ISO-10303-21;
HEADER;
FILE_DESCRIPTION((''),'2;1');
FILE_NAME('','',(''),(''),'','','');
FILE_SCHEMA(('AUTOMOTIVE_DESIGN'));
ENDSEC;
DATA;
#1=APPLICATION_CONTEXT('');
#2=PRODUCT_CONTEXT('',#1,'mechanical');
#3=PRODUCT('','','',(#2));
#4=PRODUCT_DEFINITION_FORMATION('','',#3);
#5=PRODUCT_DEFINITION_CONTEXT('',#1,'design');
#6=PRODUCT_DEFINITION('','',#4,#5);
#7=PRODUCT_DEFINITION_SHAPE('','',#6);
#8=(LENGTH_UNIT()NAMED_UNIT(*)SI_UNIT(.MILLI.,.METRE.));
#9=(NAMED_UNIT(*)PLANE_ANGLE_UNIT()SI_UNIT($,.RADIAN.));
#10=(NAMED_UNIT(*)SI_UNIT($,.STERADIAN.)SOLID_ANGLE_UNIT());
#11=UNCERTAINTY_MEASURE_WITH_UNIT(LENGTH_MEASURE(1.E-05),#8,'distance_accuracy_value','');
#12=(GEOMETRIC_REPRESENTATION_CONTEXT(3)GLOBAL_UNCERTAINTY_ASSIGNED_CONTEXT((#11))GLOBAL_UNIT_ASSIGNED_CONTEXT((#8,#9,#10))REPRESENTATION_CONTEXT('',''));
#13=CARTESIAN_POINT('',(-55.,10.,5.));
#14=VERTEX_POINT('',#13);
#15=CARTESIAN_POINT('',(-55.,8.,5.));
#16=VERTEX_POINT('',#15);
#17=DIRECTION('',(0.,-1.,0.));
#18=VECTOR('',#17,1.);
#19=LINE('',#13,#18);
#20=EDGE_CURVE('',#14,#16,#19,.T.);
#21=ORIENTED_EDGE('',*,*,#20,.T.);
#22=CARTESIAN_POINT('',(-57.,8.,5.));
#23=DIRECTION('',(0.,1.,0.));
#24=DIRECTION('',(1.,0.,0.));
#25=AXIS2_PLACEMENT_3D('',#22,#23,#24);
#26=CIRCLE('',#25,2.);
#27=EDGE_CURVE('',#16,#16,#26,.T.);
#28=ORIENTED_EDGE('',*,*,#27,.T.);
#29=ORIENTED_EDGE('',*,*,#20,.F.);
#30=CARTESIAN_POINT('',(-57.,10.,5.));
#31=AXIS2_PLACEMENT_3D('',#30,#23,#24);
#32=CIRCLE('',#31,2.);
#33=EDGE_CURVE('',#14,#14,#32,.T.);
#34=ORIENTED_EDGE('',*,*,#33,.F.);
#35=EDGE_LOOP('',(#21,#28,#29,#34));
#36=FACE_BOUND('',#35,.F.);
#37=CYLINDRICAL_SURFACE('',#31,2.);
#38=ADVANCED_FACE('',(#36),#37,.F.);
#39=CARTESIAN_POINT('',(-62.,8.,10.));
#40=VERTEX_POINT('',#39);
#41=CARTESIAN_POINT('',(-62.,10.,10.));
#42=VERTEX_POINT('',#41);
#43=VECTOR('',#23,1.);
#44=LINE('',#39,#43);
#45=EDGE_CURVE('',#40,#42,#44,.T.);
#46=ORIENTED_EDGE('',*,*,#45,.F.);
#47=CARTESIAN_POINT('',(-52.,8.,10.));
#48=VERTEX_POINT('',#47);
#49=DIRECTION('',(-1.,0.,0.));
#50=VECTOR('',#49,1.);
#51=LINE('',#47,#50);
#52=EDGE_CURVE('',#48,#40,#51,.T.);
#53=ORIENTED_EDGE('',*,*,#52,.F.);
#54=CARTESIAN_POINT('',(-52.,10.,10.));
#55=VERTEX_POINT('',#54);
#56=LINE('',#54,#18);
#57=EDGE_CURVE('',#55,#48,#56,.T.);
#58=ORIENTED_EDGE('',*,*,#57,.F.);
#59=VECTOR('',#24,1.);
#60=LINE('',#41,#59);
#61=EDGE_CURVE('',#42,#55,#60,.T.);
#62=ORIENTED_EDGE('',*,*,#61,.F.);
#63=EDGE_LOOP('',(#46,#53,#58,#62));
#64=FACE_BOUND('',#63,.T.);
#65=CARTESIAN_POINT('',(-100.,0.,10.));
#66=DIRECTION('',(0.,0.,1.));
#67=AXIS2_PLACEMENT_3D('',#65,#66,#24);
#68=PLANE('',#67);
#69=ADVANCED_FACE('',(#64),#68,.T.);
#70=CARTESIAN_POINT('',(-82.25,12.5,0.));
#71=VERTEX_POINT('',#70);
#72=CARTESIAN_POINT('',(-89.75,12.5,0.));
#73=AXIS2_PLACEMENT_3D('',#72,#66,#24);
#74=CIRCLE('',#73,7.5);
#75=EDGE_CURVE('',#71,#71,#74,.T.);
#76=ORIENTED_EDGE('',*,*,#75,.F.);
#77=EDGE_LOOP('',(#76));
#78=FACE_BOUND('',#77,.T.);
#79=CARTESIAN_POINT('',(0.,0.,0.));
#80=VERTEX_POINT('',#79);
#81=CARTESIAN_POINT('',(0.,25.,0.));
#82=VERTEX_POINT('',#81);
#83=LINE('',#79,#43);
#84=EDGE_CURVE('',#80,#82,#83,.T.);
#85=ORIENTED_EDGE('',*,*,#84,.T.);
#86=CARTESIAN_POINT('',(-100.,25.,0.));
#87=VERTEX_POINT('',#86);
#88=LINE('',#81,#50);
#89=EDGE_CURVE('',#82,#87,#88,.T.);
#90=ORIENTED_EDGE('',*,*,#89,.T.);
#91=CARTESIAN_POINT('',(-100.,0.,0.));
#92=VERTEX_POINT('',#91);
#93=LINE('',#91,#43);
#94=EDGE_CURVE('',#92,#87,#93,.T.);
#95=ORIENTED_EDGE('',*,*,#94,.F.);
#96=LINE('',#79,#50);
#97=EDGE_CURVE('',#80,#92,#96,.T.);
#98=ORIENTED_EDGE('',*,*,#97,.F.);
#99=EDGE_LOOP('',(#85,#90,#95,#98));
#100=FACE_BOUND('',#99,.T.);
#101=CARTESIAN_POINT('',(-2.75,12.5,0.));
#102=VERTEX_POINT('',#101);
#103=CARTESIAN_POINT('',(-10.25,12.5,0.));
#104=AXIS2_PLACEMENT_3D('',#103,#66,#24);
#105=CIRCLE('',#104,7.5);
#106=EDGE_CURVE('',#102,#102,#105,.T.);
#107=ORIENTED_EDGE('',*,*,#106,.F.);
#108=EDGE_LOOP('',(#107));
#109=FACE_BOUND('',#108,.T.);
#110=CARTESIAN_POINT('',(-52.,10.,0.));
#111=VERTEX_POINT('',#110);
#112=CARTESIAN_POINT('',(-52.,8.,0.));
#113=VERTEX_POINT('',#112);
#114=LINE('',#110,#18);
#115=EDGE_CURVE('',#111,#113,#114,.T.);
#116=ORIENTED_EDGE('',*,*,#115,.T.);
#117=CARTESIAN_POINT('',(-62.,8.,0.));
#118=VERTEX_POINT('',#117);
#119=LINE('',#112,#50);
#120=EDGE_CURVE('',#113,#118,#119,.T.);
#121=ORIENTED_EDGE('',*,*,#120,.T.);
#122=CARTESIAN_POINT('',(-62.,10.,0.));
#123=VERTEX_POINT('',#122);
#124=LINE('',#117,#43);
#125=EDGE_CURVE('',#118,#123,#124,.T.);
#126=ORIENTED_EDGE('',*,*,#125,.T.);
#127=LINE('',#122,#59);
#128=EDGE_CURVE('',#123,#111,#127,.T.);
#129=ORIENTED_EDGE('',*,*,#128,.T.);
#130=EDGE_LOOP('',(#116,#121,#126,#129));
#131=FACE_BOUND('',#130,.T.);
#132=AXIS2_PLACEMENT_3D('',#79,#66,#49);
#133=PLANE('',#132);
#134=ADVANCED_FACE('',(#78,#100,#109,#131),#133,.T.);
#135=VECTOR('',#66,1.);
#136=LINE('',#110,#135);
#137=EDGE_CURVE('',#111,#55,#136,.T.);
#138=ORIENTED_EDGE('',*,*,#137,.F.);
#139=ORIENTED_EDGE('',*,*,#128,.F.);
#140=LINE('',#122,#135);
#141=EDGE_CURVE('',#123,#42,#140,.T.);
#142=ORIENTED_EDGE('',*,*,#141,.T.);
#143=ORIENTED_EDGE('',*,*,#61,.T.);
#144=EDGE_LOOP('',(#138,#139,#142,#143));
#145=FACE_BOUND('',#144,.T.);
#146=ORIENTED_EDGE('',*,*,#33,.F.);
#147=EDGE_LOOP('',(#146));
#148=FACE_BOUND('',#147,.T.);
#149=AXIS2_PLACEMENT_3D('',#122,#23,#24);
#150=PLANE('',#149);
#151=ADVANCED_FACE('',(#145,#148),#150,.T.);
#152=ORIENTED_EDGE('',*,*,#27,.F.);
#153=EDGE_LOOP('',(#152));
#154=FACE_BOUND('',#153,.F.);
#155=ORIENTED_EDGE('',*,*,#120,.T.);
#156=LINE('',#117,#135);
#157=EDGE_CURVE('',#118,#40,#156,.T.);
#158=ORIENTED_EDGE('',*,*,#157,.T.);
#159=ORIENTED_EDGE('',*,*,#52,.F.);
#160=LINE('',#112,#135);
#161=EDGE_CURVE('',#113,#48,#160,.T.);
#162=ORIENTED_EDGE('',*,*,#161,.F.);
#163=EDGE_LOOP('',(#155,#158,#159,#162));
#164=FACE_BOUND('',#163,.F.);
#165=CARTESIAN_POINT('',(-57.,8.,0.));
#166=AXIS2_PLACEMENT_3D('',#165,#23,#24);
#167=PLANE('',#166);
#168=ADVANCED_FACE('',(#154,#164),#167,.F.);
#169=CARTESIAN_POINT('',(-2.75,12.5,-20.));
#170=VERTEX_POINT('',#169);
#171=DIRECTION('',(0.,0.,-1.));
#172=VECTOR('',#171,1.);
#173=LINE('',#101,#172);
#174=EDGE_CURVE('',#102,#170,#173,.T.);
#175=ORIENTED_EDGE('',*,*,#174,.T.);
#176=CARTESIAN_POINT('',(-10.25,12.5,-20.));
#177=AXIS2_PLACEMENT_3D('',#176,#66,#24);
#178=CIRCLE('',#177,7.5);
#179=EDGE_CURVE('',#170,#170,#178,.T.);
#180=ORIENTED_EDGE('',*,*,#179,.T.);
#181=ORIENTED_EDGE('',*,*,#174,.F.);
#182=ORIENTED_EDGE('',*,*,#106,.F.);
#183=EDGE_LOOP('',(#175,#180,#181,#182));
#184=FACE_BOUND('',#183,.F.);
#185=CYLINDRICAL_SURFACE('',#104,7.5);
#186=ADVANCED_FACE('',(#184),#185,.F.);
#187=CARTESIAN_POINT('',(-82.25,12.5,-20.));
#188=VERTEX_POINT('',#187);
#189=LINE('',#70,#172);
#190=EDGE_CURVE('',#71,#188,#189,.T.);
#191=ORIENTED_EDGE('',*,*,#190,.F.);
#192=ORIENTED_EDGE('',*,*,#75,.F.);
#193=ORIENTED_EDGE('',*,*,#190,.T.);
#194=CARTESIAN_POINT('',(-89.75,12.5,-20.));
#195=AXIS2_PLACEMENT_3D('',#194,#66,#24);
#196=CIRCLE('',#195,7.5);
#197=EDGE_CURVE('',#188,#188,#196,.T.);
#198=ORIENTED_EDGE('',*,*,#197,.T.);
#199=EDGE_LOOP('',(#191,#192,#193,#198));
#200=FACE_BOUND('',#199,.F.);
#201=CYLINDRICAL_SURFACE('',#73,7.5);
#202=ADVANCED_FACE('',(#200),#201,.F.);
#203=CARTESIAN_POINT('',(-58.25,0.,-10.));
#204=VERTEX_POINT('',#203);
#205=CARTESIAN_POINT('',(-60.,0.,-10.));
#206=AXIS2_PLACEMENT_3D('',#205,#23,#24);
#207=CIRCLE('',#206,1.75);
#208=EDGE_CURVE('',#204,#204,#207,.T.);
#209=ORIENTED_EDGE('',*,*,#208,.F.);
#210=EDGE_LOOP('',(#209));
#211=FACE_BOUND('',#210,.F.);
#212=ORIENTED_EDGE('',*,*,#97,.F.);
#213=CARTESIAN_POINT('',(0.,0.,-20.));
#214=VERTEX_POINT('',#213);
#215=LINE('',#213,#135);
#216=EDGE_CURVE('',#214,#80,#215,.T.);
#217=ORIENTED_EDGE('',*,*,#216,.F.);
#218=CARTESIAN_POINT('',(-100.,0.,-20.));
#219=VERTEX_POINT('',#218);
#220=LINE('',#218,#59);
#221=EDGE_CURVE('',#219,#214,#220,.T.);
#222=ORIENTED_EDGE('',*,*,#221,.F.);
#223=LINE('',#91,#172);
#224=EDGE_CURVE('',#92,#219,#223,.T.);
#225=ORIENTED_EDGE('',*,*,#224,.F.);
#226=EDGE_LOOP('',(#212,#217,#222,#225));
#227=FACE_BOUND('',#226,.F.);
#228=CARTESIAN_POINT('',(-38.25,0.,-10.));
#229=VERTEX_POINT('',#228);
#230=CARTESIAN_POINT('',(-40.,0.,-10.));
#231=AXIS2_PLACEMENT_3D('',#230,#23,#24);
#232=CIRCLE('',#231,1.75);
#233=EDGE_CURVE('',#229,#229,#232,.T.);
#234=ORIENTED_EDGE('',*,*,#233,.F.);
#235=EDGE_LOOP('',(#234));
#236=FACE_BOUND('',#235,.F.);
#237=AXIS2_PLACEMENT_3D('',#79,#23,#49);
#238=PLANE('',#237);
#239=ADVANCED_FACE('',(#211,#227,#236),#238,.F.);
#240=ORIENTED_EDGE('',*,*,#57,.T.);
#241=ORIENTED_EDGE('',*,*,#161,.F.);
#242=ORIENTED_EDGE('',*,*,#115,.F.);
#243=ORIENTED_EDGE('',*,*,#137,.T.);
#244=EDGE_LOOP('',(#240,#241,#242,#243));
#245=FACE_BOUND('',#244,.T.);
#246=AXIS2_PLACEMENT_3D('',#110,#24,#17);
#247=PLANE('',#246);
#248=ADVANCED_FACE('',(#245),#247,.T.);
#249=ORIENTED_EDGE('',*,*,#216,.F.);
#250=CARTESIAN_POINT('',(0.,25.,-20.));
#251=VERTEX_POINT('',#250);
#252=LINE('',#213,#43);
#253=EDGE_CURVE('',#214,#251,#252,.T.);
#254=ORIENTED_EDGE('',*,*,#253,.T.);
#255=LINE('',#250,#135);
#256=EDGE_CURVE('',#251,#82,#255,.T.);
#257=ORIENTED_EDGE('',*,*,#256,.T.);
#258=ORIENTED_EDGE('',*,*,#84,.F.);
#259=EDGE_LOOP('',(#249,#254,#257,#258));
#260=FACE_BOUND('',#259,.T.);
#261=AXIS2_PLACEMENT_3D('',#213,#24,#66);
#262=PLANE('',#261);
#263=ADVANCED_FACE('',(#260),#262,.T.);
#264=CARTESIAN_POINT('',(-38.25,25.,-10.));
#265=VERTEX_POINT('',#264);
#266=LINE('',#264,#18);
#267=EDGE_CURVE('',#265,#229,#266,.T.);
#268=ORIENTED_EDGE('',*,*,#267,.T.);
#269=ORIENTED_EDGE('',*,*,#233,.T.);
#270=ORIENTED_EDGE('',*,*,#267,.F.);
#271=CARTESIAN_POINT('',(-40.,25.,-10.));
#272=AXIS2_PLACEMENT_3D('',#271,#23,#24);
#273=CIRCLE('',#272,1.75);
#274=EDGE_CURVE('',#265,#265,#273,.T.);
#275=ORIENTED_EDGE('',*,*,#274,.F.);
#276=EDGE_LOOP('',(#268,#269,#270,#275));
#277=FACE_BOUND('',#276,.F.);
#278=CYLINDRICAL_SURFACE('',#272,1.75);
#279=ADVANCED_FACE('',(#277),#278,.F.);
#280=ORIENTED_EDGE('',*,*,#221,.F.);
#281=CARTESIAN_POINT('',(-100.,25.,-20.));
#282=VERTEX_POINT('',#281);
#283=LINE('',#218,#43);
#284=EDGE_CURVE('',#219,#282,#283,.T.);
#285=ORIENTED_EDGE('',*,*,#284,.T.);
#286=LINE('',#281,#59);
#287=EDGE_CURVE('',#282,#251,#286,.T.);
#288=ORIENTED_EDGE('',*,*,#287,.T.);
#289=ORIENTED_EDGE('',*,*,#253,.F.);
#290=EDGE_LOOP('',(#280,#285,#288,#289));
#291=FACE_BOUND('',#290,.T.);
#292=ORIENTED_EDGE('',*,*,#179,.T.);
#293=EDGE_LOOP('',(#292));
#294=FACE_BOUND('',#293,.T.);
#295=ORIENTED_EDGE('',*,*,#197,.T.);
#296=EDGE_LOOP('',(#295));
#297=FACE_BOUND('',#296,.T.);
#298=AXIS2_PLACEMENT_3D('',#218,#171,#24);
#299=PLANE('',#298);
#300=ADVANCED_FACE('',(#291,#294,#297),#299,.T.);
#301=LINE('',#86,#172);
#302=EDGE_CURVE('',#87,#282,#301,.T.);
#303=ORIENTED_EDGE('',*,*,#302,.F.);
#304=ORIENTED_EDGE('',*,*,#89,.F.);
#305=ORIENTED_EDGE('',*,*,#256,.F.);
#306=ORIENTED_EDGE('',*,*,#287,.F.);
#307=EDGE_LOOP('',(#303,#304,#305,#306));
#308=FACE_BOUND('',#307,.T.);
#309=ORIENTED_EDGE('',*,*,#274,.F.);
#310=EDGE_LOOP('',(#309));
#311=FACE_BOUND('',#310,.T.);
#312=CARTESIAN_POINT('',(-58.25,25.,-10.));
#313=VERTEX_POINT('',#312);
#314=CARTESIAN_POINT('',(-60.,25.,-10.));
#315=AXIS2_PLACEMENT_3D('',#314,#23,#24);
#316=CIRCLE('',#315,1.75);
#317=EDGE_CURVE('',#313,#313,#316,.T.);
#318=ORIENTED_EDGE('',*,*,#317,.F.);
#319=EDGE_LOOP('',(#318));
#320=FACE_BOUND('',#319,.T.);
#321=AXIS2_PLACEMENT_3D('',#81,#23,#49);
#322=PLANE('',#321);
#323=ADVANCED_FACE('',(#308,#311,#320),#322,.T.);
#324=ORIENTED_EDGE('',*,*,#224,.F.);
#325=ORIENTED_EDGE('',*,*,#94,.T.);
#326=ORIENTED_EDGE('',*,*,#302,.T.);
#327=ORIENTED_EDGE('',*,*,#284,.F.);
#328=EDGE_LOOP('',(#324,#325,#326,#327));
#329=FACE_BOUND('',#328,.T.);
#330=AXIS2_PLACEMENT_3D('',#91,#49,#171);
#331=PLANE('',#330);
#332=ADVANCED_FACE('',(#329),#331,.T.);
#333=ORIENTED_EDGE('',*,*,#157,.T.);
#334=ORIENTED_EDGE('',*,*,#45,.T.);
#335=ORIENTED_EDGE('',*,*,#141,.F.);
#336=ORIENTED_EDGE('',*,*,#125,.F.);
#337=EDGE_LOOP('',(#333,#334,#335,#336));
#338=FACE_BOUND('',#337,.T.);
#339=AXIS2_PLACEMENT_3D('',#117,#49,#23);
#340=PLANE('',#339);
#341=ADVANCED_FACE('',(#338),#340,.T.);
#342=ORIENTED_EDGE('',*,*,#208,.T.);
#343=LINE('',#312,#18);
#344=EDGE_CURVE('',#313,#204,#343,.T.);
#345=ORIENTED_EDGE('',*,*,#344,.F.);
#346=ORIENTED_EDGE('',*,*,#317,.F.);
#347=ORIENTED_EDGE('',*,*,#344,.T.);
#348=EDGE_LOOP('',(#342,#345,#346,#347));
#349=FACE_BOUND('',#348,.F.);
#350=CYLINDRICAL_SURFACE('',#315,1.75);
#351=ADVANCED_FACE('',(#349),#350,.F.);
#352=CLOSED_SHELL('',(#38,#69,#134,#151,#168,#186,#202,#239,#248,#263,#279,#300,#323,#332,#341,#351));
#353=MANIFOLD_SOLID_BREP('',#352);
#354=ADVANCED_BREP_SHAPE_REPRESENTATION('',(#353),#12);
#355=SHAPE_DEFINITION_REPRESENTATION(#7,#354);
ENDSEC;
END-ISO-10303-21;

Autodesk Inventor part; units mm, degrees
ref_plane "YZ Plane" through (0, 0, 0) normal (1, 0, 0) x (0, 1, 0)
ref_plane "XZ Plane" through (0, 0, 0) normal (0, 1, 0) x (-1, 0, 0)
ref_plane "XY Plane" through (0, 0, 0) normal (0, 0, 1) x (1, 0, 0)
sketch "Sketch1" plane through (0, 0, 0) normal (0, 1, 0) x (-1, 0, 0)
  line L0 (0, 0) -> (100, 0)
  line L1 (100, 0) -> (100, -20)
  line L2 (100, -20) -> (0, -20)
  line L3 (0, -20) -> (0, 0)
  dimension "d0" = 100
  dimension "d1" = 20
extrude "Extrusion1" add sketch "Sketch1" along normal blind 25
sketch "Sketch2" plane through (-100, 0, 0) normal (0, 0, 1) x (1, 0, 0)
  point P0 (100, 0)
sketch "Sketch3" plane through (-100, 0, 0) normal (0, 0, 1) x (1, 0, 0)
  line L0 (0, 25) -> (100, 25) projected
  circle A0 centre (10.25, 12.5) radius 7.5
  circle A1 centre (89.75, 12.5) radius 7.5
  point P0 (100, 0)
  dimension "d7" = 15
  dimension "d8" = 15
extrude "Extrusion2" cut sketch "Sketch3" against normal blind 20
sketch "Sketch4" plane through (-100, 0, 0) normal (0, 0, 1) x (1, 0, 0)
  point P0 (100, 0)
sketch "Sketch5" plane through (-100, 0, 0) normal (0, 0, 1) x (1, 0, 0)
  line L0 (100, 25) -> (0, 25) projected
  line L1 (0, 25) -> (100, 25) projected
  line L2 (43, 8) -> (48, 8)
  line L3 (48, 8) -> (38, 8)
  line L4 (38, 8) -> (38, 10)
  line L5 (38, 10) -> (48, 10)
  line L6 (48, 10) -> (48, 8)
  point P0 (100, 0)
  dimension "d27" = 5
  dimension "d30" = 10
extrude "Extrusion3" add sketch "Sketch5" along normal blind 10
sketch "Sketch7" plane through (-62, 10, 0) normal (0, 1, 0) x (1, 0, 0)
  line L0 (0, -10) -> (10, -10) projected
  circle A0 centre (5, -5) radius 2
  point P0 (62, 0)
  dimension "d32" = 4
extrude "Extrusion5" cut sketch "Sketch7" against normal blind 2
sketch "Sketch8" plane through (0, 25, 0) normal (0, 1, 0) x (1, 0, 0)
  line L0 (0, 0) -> (0, 20) projected
  circle A0 centre (-60, 10) radius 1.75
  circle A1 centre (-40, 10) radius 1.75
  dimension "d37" = 3.5
  dimension "d38" = 3.5
extrude "Extrusion6" cut sketch "Sketch8" against normal blind 25
properties part number "g_griper side"
